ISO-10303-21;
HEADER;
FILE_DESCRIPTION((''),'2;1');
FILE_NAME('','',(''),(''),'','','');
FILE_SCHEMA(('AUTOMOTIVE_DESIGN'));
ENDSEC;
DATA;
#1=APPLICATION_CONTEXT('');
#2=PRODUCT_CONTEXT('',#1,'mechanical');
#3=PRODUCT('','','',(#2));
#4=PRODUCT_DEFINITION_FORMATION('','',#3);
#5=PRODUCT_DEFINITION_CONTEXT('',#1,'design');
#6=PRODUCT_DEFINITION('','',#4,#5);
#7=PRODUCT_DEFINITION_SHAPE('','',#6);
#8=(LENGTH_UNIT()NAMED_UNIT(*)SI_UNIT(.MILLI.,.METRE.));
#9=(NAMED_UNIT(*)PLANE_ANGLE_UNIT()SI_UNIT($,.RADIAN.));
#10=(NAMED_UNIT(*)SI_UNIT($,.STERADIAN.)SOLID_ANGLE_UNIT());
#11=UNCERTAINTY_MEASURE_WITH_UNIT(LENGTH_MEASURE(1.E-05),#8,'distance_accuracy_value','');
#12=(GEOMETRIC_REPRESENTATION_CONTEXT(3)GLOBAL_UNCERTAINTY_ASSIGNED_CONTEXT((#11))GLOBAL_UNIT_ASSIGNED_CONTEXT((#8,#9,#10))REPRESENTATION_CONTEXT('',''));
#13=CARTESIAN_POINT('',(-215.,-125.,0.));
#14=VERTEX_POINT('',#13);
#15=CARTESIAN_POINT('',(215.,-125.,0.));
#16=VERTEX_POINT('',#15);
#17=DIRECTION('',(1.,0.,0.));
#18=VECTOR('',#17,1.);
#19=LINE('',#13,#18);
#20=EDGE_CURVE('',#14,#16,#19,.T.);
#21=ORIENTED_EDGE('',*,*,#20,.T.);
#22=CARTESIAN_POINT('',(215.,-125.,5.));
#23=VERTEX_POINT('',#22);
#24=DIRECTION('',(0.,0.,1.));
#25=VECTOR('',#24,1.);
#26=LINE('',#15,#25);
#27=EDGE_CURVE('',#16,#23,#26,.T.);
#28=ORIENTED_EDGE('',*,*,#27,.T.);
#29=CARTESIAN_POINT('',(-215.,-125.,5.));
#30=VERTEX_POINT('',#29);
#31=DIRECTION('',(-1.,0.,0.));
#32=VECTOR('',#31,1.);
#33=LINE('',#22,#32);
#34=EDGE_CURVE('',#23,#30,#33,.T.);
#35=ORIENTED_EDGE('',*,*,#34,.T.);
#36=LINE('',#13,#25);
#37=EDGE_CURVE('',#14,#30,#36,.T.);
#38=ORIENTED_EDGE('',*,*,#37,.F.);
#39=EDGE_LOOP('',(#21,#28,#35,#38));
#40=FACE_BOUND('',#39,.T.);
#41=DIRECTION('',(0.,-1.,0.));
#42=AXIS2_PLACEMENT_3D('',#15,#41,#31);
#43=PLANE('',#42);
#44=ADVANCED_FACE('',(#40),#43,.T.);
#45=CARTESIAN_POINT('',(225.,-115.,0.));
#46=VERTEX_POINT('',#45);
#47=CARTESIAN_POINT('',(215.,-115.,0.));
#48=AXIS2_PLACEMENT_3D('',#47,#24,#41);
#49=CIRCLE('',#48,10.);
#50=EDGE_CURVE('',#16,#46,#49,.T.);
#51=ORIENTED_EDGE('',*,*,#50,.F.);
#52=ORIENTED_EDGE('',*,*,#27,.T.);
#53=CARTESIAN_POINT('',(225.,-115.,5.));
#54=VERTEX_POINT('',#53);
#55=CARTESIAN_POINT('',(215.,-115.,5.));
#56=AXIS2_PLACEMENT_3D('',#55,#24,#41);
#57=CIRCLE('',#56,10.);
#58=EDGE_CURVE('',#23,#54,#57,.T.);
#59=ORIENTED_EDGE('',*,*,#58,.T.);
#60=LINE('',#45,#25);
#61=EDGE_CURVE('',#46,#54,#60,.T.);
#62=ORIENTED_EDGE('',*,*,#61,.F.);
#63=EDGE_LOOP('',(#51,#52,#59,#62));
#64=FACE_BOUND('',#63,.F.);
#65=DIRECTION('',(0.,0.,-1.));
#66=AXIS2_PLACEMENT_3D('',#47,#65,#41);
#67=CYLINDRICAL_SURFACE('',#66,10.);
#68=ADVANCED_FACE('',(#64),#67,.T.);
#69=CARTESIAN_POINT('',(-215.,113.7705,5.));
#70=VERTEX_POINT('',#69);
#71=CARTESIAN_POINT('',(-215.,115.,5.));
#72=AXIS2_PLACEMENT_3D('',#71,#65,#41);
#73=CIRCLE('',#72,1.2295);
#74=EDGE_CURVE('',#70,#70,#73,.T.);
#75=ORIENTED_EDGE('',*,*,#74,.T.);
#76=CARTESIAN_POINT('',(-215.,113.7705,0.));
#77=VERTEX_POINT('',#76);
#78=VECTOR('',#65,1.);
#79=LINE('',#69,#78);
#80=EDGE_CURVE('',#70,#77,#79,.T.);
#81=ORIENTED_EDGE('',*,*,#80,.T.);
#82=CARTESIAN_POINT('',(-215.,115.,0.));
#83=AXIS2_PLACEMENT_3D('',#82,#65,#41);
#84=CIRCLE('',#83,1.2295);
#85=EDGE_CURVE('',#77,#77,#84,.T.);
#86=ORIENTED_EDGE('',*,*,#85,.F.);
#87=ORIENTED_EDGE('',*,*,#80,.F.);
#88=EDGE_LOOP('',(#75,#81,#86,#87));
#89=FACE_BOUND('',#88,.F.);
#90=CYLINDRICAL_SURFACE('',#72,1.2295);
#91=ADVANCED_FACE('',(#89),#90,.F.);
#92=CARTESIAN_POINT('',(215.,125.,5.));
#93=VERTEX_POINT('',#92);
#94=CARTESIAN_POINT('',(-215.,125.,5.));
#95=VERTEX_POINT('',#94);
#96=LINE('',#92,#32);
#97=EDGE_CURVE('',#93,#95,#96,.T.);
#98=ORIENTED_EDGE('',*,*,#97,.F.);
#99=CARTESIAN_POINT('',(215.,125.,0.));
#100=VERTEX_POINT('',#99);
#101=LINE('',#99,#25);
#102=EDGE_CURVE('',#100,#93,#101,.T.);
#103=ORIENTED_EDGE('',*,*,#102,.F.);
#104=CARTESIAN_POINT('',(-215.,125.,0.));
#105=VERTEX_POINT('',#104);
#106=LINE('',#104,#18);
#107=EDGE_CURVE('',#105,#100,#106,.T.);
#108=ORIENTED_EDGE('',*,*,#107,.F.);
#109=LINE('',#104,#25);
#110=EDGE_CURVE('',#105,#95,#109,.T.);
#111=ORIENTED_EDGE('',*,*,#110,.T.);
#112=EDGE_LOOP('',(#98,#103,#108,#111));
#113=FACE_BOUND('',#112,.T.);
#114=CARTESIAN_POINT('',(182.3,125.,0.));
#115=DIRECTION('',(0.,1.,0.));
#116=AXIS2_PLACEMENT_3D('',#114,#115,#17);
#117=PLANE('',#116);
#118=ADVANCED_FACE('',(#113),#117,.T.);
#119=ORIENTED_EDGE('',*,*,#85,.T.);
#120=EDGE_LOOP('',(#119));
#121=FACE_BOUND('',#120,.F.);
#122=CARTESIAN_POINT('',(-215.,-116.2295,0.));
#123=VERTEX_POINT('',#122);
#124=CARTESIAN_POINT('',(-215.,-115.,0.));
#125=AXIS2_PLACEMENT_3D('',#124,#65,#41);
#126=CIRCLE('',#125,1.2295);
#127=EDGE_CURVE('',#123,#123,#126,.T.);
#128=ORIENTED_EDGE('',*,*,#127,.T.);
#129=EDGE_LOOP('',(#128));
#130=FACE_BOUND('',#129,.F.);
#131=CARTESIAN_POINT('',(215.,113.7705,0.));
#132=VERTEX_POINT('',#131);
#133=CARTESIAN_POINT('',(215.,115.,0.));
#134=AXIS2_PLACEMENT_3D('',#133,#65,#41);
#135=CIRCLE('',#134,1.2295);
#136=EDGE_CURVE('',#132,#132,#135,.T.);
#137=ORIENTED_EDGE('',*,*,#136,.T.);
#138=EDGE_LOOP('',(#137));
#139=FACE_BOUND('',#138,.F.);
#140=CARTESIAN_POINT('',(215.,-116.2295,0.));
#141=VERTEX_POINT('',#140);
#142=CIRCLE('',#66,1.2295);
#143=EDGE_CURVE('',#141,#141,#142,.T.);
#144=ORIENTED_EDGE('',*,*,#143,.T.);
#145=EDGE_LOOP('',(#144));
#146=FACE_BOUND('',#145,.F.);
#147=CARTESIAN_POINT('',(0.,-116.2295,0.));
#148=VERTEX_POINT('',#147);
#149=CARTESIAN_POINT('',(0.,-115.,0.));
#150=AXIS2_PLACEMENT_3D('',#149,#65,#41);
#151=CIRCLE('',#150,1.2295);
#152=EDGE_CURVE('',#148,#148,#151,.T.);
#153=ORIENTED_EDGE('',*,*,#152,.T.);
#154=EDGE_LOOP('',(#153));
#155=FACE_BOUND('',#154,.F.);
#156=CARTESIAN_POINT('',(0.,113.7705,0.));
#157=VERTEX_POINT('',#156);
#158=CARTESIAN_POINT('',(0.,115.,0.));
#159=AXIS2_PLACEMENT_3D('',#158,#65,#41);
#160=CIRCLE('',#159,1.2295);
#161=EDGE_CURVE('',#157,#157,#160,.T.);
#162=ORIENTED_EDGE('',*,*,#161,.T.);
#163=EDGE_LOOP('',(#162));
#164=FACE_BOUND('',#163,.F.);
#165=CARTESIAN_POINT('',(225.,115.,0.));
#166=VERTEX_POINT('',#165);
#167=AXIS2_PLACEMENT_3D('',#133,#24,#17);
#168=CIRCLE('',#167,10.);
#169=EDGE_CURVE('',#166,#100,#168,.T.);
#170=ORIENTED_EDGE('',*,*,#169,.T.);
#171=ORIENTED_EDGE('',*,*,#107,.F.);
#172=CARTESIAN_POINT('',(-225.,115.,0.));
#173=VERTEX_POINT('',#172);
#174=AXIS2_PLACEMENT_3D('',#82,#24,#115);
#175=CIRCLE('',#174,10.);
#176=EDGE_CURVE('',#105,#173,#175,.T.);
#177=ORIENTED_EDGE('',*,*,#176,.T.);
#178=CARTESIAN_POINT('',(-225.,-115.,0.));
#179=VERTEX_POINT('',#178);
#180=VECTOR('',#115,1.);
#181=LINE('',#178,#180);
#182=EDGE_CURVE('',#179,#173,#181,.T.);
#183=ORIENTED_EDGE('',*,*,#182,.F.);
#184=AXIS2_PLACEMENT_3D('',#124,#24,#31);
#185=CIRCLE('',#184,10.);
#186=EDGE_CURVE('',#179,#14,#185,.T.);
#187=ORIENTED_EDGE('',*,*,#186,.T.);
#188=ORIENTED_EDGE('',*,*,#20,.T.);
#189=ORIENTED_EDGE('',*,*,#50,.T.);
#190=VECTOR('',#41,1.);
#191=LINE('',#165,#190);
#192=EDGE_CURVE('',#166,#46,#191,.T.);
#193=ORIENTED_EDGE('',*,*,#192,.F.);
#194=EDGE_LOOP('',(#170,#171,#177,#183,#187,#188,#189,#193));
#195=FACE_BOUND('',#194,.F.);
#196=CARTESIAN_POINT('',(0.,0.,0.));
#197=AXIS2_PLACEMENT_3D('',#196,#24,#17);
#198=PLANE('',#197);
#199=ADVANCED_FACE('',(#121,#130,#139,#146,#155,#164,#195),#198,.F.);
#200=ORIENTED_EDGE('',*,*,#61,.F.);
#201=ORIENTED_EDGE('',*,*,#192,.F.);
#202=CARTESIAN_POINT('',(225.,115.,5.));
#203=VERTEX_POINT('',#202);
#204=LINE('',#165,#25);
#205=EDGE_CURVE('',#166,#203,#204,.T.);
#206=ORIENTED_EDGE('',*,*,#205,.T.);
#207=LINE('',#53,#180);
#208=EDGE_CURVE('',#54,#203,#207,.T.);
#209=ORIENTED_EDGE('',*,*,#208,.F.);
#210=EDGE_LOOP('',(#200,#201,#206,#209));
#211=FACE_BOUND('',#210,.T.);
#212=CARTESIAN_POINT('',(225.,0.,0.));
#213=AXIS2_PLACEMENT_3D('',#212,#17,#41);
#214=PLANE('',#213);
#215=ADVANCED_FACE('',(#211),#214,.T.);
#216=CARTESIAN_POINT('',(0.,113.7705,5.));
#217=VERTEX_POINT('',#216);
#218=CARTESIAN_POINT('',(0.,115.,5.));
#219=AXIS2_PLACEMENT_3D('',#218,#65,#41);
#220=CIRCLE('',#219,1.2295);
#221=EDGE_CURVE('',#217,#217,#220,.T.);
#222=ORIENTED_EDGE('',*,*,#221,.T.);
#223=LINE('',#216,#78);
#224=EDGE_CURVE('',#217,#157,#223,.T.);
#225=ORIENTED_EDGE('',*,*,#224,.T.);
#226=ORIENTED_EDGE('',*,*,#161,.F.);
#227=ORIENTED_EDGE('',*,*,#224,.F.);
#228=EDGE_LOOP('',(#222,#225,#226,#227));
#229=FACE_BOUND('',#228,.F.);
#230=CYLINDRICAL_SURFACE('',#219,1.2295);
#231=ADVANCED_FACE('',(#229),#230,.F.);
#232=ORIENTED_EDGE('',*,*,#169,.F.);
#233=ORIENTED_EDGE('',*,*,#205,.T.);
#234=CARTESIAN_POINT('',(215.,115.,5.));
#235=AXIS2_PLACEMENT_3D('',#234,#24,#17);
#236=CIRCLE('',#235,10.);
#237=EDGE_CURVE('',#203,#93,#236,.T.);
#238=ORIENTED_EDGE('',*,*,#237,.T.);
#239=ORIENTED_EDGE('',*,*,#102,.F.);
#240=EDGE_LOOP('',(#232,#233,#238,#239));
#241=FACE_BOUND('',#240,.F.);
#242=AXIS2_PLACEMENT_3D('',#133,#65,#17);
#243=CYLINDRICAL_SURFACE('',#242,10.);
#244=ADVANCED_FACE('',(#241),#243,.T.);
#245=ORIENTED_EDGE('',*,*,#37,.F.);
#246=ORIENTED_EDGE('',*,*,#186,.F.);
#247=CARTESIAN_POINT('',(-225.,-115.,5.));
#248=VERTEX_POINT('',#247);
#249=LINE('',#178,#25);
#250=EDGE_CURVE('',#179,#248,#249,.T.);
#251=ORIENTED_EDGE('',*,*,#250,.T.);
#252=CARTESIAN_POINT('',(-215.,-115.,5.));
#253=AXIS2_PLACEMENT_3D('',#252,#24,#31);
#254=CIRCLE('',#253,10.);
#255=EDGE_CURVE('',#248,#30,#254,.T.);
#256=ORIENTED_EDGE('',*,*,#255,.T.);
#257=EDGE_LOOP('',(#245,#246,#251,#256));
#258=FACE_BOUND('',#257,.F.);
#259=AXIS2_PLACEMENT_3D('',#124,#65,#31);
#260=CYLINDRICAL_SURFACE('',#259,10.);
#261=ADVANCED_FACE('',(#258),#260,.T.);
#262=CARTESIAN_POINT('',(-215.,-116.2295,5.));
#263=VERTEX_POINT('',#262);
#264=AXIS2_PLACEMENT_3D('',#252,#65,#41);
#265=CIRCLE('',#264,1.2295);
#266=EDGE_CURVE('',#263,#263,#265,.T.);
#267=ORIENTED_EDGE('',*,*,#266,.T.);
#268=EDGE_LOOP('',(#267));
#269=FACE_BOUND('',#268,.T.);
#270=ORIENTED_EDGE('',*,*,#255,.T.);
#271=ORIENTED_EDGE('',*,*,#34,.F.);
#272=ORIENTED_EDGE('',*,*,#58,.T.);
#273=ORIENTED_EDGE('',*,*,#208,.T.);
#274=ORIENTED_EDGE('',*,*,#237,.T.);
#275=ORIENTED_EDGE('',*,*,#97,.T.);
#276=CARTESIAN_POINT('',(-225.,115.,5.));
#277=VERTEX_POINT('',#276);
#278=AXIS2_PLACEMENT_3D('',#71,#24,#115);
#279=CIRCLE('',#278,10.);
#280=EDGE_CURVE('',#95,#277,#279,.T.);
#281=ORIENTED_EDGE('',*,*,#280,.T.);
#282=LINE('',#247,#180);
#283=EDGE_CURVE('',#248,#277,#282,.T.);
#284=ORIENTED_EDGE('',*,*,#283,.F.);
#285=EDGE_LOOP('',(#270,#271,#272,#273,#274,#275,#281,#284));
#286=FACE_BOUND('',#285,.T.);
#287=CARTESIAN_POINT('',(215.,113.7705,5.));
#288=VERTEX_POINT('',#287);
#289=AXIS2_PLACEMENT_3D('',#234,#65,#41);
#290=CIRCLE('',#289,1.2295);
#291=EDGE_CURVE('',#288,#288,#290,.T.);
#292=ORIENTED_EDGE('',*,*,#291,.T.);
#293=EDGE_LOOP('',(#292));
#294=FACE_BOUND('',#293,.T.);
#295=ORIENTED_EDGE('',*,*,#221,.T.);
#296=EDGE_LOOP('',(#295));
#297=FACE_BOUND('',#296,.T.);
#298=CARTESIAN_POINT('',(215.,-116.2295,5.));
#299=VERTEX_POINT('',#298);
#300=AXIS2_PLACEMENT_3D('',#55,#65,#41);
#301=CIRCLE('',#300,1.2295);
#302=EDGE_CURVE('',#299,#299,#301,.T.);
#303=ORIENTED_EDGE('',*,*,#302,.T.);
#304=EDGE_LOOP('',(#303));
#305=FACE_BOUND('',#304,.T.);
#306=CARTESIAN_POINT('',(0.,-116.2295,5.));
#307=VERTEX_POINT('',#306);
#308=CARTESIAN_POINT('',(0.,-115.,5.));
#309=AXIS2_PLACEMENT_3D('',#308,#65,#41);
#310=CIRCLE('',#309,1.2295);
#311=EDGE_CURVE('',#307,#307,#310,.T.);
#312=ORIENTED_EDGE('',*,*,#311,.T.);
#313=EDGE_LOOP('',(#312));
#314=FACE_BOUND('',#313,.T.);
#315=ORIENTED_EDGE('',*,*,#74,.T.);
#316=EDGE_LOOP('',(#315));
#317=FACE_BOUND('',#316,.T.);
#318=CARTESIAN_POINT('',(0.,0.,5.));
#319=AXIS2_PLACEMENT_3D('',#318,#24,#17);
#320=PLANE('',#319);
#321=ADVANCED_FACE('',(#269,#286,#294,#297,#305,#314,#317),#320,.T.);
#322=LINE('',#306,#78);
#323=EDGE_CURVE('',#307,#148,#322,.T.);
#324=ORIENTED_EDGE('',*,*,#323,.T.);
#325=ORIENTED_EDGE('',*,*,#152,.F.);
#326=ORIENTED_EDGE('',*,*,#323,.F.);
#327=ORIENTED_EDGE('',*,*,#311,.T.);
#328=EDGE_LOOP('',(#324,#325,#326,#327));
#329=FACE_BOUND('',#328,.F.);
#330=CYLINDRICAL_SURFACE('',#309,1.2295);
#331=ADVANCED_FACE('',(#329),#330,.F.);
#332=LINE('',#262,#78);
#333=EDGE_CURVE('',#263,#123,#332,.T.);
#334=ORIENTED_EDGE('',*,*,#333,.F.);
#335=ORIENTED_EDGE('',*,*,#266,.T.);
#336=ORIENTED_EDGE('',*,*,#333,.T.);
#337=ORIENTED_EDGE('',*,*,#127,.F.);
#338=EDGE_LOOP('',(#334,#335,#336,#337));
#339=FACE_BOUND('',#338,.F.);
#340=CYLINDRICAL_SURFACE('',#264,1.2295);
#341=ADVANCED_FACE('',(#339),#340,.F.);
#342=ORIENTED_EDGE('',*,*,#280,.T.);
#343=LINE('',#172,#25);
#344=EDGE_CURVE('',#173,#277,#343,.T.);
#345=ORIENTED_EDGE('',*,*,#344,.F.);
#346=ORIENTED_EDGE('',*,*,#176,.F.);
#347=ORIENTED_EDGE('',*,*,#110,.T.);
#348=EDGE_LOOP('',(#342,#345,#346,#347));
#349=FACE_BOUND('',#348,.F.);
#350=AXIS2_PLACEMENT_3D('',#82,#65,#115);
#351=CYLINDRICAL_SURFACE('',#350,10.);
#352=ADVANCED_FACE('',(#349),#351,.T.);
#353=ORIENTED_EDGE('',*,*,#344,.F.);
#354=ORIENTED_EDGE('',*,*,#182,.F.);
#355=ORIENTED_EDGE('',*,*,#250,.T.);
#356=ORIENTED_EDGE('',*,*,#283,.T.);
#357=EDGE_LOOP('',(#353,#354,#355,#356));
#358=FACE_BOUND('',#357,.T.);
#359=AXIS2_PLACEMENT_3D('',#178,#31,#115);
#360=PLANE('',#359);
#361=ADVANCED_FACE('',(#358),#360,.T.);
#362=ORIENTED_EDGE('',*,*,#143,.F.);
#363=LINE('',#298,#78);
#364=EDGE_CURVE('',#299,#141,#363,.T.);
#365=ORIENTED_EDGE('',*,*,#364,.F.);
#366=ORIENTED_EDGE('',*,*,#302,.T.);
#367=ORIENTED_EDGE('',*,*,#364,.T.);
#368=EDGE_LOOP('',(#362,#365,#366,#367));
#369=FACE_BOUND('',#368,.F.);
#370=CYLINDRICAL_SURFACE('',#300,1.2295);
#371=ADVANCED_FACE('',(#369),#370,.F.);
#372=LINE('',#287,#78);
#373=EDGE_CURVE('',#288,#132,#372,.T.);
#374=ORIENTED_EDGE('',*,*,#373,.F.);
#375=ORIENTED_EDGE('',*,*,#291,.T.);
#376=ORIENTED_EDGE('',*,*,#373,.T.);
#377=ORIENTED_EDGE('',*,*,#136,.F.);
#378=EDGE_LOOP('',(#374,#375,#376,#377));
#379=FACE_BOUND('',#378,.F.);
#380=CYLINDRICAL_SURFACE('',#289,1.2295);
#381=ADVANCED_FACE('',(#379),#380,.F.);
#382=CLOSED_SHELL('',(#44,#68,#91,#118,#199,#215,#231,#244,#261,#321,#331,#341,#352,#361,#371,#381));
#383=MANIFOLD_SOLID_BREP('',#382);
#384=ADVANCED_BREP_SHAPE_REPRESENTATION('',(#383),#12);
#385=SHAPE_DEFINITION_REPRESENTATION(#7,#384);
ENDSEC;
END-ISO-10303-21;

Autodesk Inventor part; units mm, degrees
ref_plane "YZ Plane" through (0, 0, 0) normal (1, 0, 0) x (0, 1, 0)
ref_plane "XZ Plane" through (0, 0, 0) normal (0, 1, 0) x (-1, 0, 0)
ref_plane "XY Plane" through (0, 0, 0) normal (0, 0, 1) x (1, 0, 0)
sketch "Sketch1" plane through (0, 0, 0) normal (0, 0, 1) x (1, 0, 0)
  point P0 (0, 0)
sketch "Sketch2" plane through (0, 0, 0) normal (0, 0, 1) x (1, 0, 0)
  line L0 (215, -125) -> (-215, -125)
  line L1 (-225, -115) -> (-225, 115)
  line L2 (-215, 125) -> (215, 125)
  line L3 (225, 115) -> (225, -115)
  line L4 (225, 0) -> (225, 25)
  line L5 (225, 25) -> (225, 0)
  arc A0 (225, 115) -> (215, 125) centre (215, 115) ccw
  arc A1 (-215, 125) -> (-225, 115) centre (-215, 115) ccw
  arc A2 (-225, -115) -> (-215, -125) centre (-215, -115) ccw
  arc A3 (215, -125) -> (225, -115) centre (215, -115) ccw
  line L6 (-232.4948, 131.6024) -> (-218.9232, 118.3976) construction
  line L7 (-182.3, 125) -> (-145.3, 125)
  line L8 (-145.3, -125) -> (-182.3, -125)
  line L9 (145.3, -125) -> (182.3, -125)
  line L10 (145.3, 125) -> (182.3, 125)
  line L11 (-225, 125) -> (-182.3, 125)
  point P0 (0, 0)
  point P1 (0, 0)
  point P2 (-225.709, 125)
  dimension "d13" = 10
  dimension "d14" = 10
  dimension "d15" = 10
  dimension "d16" = 10
  dimension "d67" = 450
extrude "Extrusion2" add sketch "Sketch2" along normal blind 5
sketch "Sketch10" plane through (0, 0, 5) normal (0, 0, 1) x (1, 0, 0)
  point P0 (0, 0)
sketch "Sketch11" plane through (0, 0, 5) normal (0, 0, 1) x (1, 0, 0)
  line L0 (-225, 115) -> (-225, -115) projected
  line L1 (215, 125) -> (-215, 125) projected
  point P0 (0, 0)
  point P1 (-215, 115)
  point P2 (-215, 0)
  point P3 (-215, -115)
  point P4 (0, 115)
  point P5 (0, 0)
  point P6 (0, -115)
  point P7 (215, 115)
  point P8 (215, 0)
  point P9 (215, -115)
  dimension "d77" = 10
  dimension "d78" = 10
  dimension "d81" = 115
  dimension "d84" = 215
hole "Hole2" at (-215, 115, 5) at (0, 115, 5) at (215, 115, 5) at (215, -115, 5) at (-215, -115, 5) at (0, -115, 5) direction (0, 0, -1) diameter 2.459 end through all thread size "M3x0.5" class "6H" standard "ISO Metric profile"
properties part number "base"
